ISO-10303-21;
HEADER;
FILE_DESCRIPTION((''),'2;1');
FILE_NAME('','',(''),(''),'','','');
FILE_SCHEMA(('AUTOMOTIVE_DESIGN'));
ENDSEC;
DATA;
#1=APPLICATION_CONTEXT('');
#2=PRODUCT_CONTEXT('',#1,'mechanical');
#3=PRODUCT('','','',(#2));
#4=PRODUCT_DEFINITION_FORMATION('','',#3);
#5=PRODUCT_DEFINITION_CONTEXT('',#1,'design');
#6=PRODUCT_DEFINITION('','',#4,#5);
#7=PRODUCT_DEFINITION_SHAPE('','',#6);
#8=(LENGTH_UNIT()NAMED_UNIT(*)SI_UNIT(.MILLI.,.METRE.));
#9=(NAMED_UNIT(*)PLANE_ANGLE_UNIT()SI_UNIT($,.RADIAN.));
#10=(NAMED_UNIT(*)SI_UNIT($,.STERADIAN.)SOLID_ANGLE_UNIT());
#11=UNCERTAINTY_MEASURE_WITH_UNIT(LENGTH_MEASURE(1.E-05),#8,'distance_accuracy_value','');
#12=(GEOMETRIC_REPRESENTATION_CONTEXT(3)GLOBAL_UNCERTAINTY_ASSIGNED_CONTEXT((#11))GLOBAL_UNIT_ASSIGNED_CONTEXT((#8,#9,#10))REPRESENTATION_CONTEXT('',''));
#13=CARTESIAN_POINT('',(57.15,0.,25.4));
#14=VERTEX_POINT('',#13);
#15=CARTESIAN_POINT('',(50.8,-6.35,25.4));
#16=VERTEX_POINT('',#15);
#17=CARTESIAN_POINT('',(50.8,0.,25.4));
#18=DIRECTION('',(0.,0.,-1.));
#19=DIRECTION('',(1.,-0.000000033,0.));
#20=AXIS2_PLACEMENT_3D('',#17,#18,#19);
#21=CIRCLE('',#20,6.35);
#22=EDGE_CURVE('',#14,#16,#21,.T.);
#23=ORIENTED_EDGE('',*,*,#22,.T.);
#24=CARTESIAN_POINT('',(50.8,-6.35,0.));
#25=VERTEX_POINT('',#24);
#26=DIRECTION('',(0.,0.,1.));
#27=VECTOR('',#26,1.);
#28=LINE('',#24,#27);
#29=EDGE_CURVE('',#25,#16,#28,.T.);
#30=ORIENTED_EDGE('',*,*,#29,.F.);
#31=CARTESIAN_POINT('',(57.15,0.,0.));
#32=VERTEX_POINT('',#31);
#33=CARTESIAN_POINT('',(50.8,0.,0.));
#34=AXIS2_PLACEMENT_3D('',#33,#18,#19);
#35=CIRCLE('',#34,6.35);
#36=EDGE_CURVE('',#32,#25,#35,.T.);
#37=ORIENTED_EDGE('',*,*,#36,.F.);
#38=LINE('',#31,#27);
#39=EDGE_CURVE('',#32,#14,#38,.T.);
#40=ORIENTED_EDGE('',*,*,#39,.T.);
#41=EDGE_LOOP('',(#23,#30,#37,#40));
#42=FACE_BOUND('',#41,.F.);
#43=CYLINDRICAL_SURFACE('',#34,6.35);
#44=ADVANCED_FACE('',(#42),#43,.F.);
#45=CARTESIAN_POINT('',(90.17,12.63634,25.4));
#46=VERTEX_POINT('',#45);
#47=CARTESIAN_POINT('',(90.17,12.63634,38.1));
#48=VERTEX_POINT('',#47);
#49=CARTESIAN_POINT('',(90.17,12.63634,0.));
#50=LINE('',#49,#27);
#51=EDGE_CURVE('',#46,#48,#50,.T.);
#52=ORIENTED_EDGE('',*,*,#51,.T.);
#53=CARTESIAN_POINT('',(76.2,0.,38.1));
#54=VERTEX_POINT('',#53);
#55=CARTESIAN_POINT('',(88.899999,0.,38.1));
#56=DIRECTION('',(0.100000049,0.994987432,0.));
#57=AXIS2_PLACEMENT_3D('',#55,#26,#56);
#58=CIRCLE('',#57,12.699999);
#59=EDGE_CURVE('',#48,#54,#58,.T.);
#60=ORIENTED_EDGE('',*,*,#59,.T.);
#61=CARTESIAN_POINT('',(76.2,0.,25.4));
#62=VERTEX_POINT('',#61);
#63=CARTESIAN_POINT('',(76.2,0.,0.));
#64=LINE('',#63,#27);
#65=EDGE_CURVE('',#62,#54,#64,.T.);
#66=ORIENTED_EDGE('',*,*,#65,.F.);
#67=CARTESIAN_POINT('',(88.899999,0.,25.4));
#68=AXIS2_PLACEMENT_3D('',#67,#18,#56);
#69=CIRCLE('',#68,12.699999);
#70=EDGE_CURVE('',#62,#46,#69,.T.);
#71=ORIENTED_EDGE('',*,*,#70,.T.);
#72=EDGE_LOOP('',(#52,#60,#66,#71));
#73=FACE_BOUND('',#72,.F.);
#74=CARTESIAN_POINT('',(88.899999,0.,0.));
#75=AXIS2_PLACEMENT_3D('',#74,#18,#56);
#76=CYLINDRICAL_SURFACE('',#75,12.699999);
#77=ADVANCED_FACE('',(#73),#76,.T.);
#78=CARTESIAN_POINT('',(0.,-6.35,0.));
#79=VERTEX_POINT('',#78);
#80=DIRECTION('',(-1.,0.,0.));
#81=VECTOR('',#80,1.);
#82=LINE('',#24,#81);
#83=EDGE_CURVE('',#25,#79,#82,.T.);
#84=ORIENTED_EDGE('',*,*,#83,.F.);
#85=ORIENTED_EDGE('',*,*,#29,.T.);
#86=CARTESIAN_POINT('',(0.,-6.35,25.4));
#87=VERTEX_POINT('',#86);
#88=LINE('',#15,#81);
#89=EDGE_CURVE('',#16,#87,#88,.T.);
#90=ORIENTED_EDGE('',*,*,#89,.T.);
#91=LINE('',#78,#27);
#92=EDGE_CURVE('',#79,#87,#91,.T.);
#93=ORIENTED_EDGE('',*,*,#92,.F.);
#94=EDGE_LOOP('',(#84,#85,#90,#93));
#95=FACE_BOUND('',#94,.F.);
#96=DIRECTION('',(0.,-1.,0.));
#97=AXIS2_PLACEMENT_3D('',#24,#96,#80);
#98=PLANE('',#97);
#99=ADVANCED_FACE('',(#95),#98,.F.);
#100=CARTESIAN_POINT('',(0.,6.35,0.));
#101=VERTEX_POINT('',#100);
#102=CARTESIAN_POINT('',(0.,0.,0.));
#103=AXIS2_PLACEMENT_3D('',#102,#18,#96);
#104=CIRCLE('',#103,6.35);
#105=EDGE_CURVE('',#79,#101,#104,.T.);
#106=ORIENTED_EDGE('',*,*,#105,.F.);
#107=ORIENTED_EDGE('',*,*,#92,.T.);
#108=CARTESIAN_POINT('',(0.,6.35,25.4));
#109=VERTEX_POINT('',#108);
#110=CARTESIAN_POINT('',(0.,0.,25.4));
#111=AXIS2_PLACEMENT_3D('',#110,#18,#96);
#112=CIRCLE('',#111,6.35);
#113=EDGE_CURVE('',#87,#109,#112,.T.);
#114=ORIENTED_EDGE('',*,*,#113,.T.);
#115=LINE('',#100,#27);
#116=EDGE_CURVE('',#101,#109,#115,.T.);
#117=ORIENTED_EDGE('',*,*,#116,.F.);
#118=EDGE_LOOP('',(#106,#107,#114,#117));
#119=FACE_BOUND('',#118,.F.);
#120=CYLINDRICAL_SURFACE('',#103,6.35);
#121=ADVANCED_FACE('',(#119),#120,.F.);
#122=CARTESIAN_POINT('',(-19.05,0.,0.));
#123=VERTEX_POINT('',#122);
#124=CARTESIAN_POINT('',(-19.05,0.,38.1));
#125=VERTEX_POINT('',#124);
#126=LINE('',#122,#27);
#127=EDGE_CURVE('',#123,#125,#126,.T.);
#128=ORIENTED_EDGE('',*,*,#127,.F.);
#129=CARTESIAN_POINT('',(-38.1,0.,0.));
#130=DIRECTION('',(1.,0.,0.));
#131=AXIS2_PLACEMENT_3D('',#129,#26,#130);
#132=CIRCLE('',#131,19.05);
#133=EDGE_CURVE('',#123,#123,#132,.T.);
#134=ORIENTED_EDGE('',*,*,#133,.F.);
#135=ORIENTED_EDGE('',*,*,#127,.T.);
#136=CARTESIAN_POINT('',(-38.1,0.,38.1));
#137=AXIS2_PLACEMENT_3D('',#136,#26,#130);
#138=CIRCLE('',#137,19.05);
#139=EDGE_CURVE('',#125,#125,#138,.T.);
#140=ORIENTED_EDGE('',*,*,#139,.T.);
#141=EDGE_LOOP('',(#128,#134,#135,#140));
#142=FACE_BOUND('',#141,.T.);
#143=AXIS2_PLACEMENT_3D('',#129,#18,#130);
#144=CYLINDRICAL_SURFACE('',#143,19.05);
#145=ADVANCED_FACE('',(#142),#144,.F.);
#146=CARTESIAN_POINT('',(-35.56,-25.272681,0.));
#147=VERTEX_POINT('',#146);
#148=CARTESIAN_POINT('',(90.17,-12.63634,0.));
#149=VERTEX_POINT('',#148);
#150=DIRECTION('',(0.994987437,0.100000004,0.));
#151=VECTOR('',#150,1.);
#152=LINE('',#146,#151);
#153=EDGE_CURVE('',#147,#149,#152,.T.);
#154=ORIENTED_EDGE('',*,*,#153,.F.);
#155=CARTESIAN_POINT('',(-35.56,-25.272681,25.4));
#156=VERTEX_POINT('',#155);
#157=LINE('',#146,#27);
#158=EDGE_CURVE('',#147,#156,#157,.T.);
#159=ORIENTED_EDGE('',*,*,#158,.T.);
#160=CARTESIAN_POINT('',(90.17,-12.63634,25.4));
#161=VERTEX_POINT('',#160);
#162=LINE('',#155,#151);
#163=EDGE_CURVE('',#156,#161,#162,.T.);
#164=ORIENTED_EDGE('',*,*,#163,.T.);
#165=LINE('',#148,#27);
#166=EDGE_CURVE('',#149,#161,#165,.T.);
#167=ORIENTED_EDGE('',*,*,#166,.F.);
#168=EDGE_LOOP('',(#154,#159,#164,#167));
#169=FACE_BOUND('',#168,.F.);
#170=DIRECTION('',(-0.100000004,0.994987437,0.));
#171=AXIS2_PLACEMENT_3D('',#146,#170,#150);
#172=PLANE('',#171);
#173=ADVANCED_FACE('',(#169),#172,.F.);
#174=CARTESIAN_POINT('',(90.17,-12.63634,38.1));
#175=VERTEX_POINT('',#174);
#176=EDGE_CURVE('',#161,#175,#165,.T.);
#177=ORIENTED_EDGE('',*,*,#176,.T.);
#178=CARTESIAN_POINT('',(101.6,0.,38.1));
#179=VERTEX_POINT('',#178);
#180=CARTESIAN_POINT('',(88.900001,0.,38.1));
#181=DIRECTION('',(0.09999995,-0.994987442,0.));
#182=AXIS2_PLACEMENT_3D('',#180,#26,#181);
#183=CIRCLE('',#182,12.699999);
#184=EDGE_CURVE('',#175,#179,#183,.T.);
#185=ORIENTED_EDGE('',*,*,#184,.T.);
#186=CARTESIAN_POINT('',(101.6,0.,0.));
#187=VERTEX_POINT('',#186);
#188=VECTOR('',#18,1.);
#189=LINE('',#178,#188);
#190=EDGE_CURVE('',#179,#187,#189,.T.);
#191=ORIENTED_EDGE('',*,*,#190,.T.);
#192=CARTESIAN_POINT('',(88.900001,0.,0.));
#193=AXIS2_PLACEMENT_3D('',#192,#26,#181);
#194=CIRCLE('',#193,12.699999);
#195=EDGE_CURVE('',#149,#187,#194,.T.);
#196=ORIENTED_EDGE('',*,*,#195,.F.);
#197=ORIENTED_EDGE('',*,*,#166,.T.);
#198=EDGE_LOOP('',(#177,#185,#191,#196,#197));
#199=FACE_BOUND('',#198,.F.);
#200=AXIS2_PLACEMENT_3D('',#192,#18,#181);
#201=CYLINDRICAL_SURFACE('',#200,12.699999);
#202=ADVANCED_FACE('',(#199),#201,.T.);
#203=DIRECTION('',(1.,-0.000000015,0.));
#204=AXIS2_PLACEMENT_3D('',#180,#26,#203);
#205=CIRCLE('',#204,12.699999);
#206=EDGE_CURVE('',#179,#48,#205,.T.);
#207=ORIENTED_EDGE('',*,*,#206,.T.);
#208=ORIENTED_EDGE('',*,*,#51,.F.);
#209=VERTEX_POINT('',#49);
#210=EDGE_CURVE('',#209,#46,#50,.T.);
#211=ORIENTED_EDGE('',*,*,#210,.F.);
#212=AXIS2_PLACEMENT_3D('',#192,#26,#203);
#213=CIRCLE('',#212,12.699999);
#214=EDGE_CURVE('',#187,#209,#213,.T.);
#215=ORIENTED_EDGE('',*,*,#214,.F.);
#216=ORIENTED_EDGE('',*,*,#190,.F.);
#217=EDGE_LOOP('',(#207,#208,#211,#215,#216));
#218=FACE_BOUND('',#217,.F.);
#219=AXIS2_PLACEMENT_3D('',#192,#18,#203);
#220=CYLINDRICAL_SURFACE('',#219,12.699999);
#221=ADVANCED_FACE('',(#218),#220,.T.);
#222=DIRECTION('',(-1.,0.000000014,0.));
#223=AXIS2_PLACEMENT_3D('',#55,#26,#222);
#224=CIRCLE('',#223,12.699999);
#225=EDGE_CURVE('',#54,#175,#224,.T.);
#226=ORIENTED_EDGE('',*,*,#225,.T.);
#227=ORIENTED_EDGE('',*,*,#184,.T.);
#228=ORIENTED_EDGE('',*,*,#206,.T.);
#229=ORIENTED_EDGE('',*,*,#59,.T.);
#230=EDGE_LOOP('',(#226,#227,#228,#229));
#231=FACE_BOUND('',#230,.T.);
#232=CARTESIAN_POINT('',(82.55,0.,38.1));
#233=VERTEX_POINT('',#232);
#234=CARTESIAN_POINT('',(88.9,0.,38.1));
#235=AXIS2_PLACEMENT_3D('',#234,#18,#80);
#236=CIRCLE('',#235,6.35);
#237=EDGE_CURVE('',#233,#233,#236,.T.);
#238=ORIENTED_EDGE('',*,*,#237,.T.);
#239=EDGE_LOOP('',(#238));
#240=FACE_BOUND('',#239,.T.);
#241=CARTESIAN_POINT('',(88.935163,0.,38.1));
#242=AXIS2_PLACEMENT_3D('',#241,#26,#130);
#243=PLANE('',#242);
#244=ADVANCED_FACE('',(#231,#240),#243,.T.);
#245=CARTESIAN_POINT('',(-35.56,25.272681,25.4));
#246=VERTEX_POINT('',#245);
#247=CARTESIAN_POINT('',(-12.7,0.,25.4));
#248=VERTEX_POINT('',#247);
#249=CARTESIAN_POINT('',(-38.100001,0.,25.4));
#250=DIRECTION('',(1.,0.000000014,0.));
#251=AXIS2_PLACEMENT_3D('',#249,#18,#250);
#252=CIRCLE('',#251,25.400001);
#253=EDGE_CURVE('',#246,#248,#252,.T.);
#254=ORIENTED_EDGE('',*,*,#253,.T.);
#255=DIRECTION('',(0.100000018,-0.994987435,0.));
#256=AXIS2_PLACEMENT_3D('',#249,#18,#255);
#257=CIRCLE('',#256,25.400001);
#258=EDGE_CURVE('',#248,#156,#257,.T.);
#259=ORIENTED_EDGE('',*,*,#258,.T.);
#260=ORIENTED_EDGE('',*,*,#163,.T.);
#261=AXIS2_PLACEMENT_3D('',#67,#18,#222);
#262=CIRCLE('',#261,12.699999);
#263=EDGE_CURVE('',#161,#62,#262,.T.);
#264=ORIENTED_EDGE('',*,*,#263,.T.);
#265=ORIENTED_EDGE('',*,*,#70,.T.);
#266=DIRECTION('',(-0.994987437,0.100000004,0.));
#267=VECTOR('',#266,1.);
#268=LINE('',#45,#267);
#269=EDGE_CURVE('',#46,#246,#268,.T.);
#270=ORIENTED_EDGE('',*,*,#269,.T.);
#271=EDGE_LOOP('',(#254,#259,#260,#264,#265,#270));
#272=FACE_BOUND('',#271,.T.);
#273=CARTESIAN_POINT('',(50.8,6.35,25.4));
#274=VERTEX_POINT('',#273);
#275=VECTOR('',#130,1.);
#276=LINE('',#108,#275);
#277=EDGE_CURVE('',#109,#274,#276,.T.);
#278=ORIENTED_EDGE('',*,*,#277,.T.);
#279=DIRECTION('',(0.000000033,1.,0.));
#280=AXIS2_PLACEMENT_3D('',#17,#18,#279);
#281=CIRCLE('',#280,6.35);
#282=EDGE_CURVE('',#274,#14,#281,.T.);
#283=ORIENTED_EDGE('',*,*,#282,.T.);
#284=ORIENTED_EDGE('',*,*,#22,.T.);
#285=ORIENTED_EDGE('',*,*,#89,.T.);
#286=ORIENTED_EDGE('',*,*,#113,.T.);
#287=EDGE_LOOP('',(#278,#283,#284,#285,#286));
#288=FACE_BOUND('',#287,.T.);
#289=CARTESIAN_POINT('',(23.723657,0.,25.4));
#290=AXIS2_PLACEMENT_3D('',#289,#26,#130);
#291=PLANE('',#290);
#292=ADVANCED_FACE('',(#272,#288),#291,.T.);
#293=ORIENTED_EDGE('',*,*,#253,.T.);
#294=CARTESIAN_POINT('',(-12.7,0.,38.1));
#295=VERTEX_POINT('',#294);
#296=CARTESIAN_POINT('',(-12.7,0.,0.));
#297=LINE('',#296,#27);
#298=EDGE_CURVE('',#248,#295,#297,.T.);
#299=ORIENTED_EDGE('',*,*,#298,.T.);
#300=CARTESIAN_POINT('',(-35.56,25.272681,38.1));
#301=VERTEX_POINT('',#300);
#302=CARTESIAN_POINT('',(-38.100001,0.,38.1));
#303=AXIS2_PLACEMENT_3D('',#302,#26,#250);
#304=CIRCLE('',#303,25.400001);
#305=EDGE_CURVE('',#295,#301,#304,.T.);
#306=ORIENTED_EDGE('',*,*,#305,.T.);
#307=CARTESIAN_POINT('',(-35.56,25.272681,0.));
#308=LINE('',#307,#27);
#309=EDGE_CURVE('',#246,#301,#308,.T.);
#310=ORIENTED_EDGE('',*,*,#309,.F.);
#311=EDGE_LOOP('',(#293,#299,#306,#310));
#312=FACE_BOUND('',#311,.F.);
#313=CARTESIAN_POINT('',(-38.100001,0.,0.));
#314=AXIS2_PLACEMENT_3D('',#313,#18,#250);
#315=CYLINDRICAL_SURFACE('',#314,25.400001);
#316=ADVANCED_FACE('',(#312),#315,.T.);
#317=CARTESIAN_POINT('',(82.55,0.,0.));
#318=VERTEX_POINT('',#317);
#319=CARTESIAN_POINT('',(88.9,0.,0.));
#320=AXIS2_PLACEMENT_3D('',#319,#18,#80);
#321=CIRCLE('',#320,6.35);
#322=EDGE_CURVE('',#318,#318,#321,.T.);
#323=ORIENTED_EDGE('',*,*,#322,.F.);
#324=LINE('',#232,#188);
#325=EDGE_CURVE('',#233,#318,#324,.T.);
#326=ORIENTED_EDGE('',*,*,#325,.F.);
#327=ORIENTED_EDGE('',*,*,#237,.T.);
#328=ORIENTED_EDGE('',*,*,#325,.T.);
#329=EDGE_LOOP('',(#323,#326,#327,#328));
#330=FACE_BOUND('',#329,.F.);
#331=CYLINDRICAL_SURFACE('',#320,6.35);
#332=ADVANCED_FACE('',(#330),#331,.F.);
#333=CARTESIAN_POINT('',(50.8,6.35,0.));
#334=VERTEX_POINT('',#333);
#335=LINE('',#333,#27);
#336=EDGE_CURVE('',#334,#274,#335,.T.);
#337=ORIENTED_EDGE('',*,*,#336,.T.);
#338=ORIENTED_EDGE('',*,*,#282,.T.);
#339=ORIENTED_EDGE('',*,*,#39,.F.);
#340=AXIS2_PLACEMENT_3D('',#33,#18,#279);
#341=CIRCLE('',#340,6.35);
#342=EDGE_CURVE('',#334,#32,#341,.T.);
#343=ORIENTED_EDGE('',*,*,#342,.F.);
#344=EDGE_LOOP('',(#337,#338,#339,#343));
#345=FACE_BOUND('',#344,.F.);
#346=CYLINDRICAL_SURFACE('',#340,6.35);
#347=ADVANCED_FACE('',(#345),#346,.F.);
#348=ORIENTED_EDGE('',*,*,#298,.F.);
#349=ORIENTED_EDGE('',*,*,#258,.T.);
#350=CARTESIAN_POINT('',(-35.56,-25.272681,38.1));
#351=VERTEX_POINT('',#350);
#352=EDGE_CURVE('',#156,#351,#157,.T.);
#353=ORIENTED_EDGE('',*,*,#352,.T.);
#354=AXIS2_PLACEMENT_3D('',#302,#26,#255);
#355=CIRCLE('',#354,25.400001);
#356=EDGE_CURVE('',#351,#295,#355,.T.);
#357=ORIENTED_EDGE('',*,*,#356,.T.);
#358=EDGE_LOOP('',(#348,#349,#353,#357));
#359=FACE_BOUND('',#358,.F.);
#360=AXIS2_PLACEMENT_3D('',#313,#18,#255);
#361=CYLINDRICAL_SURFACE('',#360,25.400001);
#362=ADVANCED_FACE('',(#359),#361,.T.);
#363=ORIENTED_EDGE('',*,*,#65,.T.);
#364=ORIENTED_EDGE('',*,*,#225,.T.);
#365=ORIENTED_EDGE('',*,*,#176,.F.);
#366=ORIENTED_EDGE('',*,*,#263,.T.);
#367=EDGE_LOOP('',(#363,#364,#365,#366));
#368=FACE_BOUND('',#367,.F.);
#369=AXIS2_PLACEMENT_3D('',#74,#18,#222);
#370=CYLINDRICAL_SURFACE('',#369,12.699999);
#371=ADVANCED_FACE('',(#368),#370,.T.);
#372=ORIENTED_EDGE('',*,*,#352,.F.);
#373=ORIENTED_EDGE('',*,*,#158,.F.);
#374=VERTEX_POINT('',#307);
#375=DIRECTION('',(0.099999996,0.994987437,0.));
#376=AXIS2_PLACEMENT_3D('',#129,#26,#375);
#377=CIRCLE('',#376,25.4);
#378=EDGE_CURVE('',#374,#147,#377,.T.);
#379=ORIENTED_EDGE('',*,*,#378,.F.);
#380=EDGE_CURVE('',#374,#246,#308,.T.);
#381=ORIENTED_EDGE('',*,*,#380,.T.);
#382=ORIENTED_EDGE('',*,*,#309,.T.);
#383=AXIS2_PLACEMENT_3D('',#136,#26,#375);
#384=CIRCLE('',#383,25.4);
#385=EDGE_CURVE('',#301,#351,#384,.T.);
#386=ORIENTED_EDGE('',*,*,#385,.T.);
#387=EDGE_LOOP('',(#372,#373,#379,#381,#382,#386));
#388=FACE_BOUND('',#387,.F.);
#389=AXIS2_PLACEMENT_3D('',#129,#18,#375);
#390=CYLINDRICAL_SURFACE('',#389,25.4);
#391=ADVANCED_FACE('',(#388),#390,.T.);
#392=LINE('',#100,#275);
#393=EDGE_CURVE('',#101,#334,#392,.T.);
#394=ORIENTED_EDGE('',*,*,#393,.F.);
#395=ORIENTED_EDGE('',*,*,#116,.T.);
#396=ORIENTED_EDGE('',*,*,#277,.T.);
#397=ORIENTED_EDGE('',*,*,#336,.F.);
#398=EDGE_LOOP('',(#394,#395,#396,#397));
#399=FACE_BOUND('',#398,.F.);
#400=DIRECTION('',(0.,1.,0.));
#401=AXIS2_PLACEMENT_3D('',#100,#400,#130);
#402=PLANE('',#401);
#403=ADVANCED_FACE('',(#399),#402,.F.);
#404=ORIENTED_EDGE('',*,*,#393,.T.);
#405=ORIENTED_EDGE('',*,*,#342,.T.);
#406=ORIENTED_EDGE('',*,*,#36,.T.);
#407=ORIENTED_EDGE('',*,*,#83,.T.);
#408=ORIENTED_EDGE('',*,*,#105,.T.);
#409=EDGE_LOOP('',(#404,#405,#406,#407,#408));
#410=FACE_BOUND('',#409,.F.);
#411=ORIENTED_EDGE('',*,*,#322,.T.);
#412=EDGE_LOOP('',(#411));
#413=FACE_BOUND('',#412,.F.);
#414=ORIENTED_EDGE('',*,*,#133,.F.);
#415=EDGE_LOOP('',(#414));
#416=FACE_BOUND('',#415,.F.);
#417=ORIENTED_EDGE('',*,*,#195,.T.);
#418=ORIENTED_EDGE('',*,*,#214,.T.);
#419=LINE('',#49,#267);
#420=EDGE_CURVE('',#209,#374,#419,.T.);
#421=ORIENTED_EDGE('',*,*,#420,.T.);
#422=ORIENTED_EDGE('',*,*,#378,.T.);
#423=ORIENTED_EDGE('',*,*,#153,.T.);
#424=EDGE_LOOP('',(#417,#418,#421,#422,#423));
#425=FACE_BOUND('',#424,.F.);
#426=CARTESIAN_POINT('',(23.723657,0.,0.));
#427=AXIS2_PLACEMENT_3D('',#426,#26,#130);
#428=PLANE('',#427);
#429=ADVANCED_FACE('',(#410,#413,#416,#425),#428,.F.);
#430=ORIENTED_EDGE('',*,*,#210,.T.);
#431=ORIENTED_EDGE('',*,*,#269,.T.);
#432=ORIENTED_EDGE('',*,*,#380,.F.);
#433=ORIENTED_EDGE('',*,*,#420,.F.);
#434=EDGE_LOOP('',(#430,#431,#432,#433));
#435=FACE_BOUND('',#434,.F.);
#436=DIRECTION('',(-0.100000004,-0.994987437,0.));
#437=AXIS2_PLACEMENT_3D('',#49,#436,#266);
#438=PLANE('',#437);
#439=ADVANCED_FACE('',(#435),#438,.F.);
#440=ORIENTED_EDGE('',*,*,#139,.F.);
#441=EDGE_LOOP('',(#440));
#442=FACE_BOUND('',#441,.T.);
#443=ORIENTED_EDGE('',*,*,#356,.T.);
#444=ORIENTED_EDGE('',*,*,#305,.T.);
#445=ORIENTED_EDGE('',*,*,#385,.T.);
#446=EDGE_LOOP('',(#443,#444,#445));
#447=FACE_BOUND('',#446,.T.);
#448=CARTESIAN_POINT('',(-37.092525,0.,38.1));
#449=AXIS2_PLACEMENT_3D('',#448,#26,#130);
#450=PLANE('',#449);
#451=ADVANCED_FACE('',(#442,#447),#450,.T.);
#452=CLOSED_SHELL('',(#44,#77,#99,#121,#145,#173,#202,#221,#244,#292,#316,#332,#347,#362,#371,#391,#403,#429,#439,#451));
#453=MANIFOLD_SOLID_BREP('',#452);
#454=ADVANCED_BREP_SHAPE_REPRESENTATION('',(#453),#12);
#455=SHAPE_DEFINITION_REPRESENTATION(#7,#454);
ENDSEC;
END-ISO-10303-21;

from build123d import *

# Parameters (mm, degrees)
F0_R     = 19.05
F1_DEPTH = 25.4
F2_DEPTH = 38.1


with BuildPart() as f1:
    # F0 (on Top) → F1 (new body)
    with BuildSketch(Plane.XY):
        with BuildLine():
            ThreePointArc((90.17, -12.63634), (80.380581, -9.418572), (76.2, 0))
            ThreePointArc((76.2, 0), (80.380581, 9.418572), (90.17, 12.63634))
            Line((90.17, 12.63634), (-35.56, 25.272681))
            ThreePointArc((-35.56, 25.272681), (-19.262856, 17.038838), (-12.7, 0))
            ThreePointArc((-12.7, 0), (-19.262856, -17.038838), (-35.56, -25.272681))
            Line((-35.56, -25.272681), (90.17, -12.63634))
        make_face()
        with BuildLine():
            ThreePointArc((0, -6.35), (-6.35, 0), (0, 6.35))
            Line((0, 6.35), (50.8, 6.35))
            ThreePointArc((50.8, 6.35), (55.290128, 4.490128), (57.15, 0))
            ThreePointArc((57.15, 0), (55.290128, -4.490128), (50.8, -6.35))
            Line((50.8, -6.35), (0, -6.35))
        make_face(mode=Mode.SUBTRACT)
        with BuildLine():
            ThreePointArc((95.25, 0), (88.9, 6.35), (82.55, 0))
            ThreePointArc((82.55, 0), (88.9, -6.35), (95.25, 0))
        make_face()
        with BuildLine():
            ThreePointArc((90.17, 12.63634), (80.380581, 9.418572), (76.2, 0))
            ThreePointArc((76.2, 0), (80.380581, -9.418572), (90.17, -12.63634))
            ThreePointArc((90.17, -12.63634), (98.318572, -8.519419), (101.6, 0))
            ThreePointArc((101.6, 0), (98.318572, 8.519419), (90.17, 12.63634))
        make_face()
        with BuildLine():
            ThreePointArc((95.25, 0), (88.9, -6.35), (82.55, 0))
            ThreePointArc((82.55, 0), (88.9, 6.35), (95.25, 0))
        make_face(mode=Mode.SUBTRACT)
        with BuildLine():
            ThreePointArc((-12.7, 0), (-19.262856, 17.038838), (-35.56, 25.272681))
            ThreePointArc((-35.56, 25.272681), (-63.5, 0), (-35.56, -25.272681))
            ThreePointArc((-35.56, -25.272681), (-19.262856, -17.038838), (-12.7, 0))
        make_face()
        with Locations((-38.1, 0)):
            Circle(F0_R, mode=Mode.SUBTRACT)
    extrude(amount=F1_DEPTH)

    # F0 (on Top) → F2 (join)
    with BuildSketch(Plane.XY):
        with BuildLine():
            ThreePointArc((-12.7, 0), (-19.262856, 17.038838), (-35.56, 25.272681))
            ThreePointArc((-35.56, 25.272681), (-63.5, 0), (-35.56, -25.272681))
            ThreePointArc((-35.56, -25.272681), (-19.262856, -17.038838), (-12.7, 0))
        make_face()
        with Locations((-38.1, 0)):
            Circle(F0_R, mode=Mode.SUBTRACT)
        with BuildLine():
            ThreePointArc((90.17, 12.63634), (80.380581, 9.418572), (76.2, 0))
            ThreePointArc((76.2, 0), (80.380581, -9.418572), (90.17, -12.63634))
            ThreePointArc((90.17, -12.63634), (98.318572, -8.519419), (101.6, 0))
            ThreePointArc((101.6, 0), (98.318572, 8.519419), (90.17, 12.63634))
        make_face()
        with BuildLine():
            ThreePointArc((95.25, 0), (88.9, -6.35), (82.55, 0))
            ThreePointArc((82.55, 0), (88.9, 6.35), (95.25, 0))
        make_face(mode=Mode.SUBTRACT)
    extrude(amount=F2_DEPTH)


solid = f1.part
